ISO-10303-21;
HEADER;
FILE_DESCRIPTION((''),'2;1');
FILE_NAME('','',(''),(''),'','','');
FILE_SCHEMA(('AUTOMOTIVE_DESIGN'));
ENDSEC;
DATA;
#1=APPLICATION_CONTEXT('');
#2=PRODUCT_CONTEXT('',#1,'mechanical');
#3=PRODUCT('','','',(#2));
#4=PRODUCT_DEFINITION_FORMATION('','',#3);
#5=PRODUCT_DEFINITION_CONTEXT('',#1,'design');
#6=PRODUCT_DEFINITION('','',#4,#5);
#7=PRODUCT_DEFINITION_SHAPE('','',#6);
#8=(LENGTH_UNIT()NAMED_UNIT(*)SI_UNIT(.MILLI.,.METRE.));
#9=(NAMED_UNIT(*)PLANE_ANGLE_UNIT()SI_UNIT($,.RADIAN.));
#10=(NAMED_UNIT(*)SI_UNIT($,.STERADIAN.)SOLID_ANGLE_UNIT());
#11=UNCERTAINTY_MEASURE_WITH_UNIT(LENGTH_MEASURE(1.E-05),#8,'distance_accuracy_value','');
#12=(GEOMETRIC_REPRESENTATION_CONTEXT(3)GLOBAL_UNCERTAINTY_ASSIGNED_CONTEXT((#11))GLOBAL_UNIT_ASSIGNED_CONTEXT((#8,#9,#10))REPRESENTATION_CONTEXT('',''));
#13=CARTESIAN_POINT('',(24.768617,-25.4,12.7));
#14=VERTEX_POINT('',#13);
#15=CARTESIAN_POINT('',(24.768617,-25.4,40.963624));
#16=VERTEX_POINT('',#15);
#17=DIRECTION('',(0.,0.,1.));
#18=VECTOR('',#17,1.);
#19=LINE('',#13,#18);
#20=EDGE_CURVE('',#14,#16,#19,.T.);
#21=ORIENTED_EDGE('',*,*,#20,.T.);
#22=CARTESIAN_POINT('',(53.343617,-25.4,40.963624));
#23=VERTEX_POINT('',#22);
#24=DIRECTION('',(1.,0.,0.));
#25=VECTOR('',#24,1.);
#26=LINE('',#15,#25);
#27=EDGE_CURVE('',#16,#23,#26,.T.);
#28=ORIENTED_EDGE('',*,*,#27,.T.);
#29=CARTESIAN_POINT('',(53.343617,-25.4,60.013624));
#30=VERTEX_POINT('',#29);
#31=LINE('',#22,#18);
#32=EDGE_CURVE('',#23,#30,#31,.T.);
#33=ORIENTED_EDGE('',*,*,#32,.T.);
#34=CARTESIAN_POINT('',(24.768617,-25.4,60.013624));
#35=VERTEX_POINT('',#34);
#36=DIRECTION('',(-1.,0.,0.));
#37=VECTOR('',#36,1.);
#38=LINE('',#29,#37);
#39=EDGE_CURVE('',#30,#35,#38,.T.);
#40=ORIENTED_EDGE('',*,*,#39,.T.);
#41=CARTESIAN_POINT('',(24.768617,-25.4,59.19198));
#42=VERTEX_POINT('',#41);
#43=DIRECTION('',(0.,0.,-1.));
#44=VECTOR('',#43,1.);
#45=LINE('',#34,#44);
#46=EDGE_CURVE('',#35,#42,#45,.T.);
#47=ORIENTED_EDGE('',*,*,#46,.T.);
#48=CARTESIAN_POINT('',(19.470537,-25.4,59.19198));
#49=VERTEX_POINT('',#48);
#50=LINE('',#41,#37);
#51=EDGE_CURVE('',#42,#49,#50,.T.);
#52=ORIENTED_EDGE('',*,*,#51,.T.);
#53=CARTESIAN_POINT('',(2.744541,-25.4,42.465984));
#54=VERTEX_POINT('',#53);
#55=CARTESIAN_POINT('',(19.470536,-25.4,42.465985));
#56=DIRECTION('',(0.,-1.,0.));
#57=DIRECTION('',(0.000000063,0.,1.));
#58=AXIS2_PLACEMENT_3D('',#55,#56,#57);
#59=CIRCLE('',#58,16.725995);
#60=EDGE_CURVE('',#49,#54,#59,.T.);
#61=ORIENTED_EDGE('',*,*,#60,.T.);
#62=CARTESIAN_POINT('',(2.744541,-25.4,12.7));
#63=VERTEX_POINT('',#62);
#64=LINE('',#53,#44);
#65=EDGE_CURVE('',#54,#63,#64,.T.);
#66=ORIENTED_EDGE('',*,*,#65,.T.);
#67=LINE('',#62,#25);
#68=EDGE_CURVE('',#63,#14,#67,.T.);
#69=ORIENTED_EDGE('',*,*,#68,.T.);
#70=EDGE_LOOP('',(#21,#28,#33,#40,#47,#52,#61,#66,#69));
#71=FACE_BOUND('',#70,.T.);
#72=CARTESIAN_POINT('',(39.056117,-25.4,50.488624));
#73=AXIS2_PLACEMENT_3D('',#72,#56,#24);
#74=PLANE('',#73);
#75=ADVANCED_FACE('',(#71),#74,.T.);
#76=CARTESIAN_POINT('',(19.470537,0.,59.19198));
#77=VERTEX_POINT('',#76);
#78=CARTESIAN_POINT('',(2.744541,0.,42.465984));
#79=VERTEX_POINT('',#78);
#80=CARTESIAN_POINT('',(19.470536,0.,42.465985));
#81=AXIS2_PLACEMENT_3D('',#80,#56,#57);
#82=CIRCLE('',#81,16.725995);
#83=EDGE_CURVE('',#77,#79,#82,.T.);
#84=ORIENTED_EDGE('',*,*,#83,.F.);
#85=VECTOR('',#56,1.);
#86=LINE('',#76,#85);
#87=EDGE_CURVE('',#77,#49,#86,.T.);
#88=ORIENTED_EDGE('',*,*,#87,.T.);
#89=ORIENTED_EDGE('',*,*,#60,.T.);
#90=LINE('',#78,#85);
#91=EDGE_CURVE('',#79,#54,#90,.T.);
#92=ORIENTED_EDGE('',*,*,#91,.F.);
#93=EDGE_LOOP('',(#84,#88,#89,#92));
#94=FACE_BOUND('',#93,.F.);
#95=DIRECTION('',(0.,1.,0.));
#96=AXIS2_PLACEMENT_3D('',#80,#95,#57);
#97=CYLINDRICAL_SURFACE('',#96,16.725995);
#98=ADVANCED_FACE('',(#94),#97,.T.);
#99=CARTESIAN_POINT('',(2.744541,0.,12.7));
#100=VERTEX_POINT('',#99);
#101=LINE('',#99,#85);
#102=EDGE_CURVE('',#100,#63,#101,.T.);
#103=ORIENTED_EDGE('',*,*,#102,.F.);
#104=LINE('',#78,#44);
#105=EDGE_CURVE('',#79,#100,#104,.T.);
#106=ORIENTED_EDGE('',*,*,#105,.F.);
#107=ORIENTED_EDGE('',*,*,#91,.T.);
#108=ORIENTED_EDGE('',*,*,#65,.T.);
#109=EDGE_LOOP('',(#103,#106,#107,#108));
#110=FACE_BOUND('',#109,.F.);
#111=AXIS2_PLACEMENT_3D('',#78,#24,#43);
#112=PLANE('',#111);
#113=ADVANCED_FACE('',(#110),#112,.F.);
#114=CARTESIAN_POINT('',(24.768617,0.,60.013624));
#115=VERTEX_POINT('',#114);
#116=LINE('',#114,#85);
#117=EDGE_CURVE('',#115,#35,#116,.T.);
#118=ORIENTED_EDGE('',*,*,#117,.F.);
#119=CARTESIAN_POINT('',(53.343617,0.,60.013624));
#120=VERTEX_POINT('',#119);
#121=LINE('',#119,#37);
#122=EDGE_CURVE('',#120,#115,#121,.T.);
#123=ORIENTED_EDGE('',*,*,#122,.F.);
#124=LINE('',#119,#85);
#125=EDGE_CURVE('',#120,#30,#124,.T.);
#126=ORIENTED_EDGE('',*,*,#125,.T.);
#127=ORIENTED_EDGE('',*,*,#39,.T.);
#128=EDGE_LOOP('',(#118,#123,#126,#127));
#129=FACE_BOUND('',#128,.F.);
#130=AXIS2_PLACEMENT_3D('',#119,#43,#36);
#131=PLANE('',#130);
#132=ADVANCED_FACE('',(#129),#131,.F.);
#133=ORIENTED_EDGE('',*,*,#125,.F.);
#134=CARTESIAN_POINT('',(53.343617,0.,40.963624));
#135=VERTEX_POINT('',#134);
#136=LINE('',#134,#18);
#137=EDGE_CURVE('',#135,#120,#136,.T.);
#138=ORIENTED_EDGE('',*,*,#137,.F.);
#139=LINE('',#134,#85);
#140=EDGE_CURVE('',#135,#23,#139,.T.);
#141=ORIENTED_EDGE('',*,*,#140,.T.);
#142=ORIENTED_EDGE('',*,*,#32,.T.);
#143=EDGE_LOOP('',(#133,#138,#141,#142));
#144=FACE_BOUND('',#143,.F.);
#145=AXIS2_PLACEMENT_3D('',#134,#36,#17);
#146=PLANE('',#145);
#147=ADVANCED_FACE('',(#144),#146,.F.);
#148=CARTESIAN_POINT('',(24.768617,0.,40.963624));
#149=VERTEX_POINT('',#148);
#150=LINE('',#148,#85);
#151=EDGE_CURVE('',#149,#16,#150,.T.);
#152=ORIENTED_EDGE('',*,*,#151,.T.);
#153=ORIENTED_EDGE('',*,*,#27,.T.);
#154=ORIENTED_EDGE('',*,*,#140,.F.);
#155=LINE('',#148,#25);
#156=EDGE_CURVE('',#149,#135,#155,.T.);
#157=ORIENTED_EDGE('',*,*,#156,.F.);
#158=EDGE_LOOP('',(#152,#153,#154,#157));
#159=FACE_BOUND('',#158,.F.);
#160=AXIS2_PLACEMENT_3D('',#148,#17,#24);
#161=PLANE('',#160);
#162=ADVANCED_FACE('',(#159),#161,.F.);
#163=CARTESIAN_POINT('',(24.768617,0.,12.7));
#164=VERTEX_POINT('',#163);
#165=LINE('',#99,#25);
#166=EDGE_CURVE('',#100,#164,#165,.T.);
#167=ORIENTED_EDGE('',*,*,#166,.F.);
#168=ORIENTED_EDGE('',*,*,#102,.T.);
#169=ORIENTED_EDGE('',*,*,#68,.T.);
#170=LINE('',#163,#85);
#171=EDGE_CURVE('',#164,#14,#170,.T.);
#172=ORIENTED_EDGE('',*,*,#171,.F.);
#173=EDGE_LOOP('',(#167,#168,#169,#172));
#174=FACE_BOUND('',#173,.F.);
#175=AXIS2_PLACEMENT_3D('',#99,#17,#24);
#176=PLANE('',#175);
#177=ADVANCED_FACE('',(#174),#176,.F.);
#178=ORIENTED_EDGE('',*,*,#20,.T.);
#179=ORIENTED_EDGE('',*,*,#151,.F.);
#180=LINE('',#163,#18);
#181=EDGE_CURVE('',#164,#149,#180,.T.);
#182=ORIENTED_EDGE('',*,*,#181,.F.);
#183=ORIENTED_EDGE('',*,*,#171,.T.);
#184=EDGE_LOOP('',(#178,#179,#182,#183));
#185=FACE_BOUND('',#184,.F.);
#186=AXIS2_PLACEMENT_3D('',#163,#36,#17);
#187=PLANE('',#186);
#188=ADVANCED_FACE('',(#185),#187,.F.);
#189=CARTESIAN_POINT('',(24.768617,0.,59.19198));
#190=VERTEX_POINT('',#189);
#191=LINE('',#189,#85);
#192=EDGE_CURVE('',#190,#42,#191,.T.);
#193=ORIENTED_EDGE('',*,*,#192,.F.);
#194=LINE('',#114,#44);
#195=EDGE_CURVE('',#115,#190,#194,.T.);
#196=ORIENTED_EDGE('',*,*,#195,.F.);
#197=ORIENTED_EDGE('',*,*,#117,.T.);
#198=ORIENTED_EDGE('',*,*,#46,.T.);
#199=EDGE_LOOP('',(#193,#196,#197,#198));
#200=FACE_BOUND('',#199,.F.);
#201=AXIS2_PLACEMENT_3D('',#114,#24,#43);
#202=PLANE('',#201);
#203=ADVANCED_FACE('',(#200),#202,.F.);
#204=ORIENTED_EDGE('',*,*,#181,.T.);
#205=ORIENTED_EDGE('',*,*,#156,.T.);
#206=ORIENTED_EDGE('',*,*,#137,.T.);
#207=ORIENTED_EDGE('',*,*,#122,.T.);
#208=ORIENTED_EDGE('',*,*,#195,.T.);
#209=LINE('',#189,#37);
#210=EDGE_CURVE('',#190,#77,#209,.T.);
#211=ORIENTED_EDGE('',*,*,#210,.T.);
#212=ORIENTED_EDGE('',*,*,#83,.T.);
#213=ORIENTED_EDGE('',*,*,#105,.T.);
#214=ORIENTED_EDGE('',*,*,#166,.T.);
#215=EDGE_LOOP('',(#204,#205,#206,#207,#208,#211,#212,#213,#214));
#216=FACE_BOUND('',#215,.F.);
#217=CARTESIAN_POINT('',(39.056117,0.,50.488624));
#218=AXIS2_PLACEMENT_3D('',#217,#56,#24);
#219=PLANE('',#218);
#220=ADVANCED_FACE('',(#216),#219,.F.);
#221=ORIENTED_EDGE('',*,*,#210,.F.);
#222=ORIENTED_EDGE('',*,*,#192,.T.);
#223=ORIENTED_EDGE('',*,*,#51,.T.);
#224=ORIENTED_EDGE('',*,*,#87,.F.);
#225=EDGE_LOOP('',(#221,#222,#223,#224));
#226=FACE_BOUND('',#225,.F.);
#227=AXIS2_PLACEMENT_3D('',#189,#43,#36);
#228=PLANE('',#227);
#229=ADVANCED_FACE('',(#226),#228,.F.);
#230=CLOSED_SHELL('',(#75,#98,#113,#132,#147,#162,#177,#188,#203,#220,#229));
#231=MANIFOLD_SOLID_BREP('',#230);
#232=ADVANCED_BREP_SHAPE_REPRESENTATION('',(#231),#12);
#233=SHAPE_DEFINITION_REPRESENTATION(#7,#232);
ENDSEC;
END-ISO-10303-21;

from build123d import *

# Parameters (mm, degrees)
F1_DEPTH = 25.4


with BuildPart() as f1:
    # F0 (on Front) → F1 (new body)
    with BuildSketch(Plane.XZ):
        Polygon((24.768617, 52.84198), (24.768617, 40.963624), (53.343617, 40.963624), (53.343617, 60.013624), (24.768617, 60.013624), (24.768617, 59.19198), align=None)
        with BuildLine():
            Line((9.094541, 12.7), (24.768617, 12.7))
            Line((24.768617, 12.7), (24.768617, 40.963624))
            Line((24.768617, 40.963624), (24.768617, 52.84198))
            Line((24.768617, 52.84198), (19.470537, 52.84198))
            ThreePointArc((19.470537, 52.84198), (12.133599, 49.802921), (9.094541, 42.465984))
            Line((9.094541, 42.465984), (9.094541, 12.7))
        make_face()
        with BuildLine():
            Line((2.744541, 12.7), (9.094541, 12.7))
            Line((9.094541, 12.7), (9.094541, 42.465984))
            ThreePointArc((9.094541, 42.465984), (12.133599, 49.802921), (19.470537, 52.84198))
            Line((19.470537, 52.84198), (24.768617, 52.84198))
            Line((24.768617, 52.84198), (24.768617, 59.19198))
            Line((24.768617, 59.19198), (19.470537, 59.19198))
            ThreePointArc((19.470537, 59.19198), (7.643471, 54.293049), (2.744541, 42.465984))
            Line((2.744541, 42.465984), (2.744541, 12.7))
        make_face()
    extrude(amount=F1_DEPTH)


solid = f1.part
